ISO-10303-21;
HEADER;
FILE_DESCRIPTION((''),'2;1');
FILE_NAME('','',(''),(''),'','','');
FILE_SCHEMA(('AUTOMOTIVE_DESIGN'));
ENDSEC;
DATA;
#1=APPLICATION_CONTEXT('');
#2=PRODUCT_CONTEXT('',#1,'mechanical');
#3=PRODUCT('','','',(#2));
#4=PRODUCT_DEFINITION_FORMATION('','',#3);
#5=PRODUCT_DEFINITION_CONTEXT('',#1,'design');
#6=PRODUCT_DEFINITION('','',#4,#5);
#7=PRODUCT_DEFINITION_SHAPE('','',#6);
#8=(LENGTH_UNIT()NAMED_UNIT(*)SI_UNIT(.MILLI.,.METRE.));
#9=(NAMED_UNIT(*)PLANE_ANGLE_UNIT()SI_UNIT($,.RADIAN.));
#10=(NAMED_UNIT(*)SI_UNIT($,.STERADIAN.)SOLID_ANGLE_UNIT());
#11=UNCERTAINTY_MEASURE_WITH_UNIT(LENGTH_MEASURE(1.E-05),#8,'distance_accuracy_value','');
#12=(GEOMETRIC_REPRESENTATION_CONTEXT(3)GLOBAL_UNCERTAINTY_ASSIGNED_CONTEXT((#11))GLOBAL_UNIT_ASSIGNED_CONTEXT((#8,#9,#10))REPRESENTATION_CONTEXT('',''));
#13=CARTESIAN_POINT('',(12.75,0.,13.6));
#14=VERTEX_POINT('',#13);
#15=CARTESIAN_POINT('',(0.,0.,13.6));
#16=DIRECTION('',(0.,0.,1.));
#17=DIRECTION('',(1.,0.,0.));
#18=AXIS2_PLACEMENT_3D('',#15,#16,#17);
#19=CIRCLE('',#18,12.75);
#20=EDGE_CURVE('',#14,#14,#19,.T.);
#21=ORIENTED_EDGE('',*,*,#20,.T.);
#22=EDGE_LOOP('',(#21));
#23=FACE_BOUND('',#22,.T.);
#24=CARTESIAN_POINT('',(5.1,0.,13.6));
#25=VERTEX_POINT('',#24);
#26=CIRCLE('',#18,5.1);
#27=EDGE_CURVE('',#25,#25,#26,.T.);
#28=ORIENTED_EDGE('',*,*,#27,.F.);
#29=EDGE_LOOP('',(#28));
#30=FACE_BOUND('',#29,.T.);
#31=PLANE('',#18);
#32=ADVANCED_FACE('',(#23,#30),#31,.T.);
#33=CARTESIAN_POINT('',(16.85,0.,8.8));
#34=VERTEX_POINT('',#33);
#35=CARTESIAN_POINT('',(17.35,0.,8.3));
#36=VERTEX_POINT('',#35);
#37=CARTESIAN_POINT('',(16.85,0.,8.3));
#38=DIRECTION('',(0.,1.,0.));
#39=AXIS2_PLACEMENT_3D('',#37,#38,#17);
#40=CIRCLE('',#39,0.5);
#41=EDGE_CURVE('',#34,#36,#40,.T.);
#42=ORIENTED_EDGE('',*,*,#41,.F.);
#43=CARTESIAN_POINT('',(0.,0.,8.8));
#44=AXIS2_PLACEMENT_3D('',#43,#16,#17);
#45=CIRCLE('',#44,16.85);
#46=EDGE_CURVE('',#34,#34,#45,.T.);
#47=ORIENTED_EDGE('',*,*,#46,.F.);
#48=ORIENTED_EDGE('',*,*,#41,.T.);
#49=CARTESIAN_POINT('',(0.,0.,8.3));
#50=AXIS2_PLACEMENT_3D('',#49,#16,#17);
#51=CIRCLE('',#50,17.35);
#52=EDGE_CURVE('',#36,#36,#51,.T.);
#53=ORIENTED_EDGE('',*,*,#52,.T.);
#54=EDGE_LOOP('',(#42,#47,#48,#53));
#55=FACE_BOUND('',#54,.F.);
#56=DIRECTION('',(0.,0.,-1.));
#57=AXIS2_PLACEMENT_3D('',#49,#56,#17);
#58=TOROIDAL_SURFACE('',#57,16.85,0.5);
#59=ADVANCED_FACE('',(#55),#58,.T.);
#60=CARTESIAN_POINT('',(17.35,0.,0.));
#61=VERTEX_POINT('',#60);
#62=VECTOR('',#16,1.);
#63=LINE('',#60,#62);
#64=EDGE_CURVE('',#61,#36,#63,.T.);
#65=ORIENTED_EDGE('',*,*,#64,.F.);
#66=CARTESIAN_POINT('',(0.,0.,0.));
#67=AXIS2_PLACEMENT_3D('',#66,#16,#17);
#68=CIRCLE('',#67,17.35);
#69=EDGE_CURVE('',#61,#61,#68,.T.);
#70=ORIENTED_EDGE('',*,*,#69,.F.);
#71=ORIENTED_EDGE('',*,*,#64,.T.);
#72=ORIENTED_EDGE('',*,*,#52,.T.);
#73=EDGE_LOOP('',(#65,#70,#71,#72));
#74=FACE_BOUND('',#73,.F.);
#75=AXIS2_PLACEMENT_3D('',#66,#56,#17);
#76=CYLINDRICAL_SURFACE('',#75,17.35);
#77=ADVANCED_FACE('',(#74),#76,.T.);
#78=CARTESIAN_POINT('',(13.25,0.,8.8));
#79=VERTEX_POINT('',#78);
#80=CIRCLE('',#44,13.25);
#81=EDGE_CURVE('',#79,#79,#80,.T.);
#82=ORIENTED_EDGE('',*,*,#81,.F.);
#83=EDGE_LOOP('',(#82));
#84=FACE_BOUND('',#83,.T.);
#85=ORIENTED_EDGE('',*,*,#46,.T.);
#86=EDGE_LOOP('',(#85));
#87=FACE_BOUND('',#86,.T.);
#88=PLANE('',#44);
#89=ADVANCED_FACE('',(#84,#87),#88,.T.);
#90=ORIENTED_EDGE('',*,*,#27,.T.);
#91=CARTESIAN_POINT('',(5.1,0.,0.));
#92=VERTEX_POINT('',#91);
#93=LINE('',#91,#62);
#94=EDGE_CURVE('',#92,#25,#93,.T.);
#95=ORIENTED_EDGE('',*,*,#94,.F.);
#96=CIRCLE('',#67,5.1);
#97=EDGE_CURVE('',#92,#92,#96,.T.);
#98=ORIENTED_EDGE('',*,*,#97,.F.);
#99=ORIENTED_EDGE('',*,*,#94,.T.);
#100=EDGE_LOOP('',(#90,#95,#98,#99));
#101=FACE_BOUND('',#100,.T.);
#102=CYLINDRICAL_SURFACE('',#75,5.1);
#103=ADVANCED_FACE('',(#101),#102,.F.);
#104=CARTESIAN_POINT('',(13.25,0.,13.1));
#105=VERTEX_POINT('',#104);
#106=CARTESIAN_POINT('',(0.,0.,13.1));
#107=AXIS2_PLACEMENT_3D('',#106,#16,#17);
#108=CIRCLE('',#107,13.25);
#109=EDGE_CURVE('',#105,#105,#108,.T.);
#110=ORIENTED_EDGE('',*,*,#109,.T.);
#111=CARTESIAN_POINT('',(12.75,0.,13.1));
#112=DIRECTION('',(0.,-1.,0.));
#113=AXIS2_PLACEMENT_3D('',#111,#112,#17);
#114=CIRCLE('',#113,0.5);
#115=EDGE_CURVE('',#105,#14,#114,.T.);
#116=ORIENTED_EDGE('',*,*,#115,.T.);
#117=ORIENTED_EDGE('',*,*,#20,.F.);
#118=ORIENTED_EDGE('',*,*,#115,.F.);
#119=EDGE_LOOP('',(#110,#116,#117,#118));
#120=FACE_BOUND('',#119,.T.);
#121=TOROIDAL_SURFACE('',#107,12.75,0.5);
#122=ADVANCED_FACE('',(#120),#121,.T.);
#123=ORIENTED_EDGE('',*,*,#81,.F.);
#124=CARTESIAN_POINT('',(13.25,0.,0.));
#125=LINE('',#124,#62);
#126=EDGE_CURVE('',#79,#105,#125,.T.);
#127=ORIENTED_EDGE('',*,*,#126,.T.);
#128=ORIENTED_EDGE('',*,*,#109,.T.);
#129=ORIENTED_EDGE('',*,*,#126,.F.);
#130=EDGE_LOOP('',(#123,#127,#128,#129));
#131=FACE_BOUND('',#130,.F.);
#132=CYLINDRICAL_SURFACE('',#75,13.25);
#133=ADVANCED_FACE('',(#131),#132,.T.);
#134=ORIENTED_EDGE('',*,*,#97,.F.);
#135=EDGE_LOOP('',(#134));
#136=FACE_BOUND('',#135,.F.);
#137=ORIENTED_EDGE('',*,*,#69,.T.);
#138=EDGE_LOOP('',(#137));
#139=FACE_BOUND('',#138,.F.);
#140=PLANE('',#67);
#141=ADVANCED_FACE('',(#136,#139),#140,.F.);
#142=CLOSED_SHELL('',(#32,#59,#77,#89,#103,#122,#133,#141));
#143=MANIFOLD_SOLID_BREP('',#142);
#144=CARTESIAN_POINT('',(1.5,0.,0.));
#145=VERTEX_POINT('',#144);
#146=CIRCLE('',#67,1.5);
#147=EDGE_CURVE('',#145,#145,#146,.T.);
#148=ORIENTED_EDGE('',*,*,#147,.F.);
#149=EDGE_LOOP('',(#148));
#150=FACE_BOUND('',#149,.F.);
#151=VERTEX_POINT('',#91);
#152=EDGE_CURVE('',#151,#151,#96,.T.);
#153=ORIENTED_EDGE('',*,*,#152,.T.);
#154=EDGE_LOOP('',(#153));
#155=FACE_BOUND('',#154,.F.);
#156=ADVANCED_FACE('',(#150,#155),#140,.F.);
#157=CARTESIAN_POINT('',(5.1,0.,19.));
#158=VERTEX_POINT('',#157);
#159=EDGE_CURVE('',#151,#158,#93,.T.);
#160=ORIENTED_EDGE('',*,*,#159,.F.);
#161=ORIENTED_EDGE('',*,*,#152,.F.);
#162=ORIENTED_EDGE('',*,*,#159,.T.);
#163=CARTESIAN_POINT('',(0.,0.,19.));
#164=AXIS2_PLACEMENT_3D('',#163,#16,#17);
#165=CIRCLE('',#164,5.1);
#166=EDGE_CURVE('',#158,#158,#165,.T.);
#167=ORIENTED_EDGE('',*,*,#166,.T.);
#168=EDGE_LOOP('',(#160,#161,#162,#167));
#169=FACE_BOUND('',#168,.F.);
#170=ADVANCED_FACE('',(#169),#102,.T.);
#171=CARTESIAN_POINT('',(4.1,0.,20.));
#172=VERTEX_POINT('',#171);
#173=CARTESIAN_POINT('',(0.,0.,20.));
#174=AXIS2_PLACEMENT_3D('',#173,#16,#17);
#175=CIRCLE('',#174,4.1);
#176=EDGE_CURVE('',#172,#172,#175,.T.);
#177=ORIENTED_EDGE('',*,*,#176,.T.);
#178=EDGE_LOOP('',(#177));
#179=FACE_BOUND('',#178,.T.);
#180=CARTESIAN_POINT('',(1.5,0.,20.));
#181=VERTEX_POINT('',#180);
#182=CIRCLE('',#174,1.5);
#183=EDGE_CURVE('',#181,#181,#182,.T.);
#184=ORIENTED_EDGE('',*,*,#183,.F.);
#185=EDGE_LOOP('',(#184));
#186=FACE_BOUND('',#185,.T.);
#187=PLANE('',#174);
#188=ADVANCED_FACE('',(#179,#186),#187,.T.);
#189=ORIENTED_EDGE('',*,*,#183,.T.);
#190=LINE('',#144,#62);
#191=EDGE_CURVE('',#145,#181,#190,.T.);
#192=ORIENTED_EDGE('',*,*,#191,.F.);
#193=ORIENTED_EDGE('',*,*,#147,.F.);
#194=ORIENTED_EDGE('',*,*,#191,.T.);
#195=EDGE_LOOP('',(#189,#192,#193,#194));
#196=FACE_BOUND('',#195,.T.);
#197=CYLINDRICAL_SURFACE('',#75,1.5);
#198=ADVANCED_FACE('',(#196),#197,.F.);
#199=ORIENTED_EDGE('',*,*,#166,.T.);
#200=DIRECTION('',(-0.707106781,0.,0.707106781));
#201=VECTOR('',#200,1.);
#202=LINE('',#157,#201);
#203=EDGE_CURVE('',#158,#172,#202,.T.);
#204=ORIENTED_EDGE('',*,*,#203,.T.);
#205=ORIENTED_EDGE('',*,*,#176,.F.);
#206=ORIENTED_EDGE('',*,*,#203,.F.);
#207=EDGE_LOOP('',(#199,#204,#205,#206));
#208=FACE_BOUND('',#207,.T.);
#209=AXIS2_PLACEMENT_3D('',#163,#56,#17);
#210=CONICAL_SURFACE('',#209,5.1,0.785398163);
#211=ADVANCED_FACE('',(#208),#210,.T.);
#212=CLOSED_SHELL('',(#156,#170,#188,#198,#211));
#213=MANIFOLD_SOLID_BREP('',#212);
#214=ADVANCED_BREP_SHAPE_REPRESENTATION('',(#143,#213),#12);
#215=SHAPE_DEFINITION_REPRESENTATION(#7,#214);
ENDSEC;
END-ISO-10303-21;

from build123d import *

# Parameters (mm, degrees)
F0_R     = 17.35
F0_R_2   = 13.25
F1_DEPTH = 8.8
F0_R_3   = 5.1
F2_DEPTH = 13.6
F0_R_4   = 1.5
F3_DEPTH = 20
F4_R     = 0.5
F5_R     = 0.5
F6_SIZE  = 1


with BuildPart() as f1:
    # F0 (on Top) → F1 (new body)
    with BuildSketch(Plane.XY):
        Circle(F0_R)
        Circle(F0_R_2, mode=Mode.SUBTRACT)
    extrude(amount=F1_DEPTH)

    # F0 (on Top) → F2 (join)
    with BuildSketch(Plane.XY):
        Circle(F0_R_2)
        Circle(F0_R_3, mode=Mode.SUBTRACT)
    extrude(amount=F2_DEPTH)

    # F4
    f4_edges = [f1.edges().sort_by_distance(p)[0] for p in [
        (-13.25, 0, 13.6),
    ]]
    fillet(f4_edges, radius=F4_R)

    # F5
    f5_edges = [f1.edges().sort_by_distance(p)[0] for p in [
        (-17.35, 0, 8.8),
    ]]
    fillet(f5_edges, radius=F5_R)


with BuildPart() as f3:
    # F0 (on Top) → F3 (new body)
    with BuildSketch(Plane.XY):
        Circle(F0_R_3)
        Circle(F0_R_4, mode=Mode.SUBTRACT)
    extrude(amount=F3_DEPTH)

    # F6
    f6_edges = [f3.edges().sort_by_distance(p)[0] for p in [
        (-5.1, 0, 20),
    ]]
    chamfer(f6_edges, length=F6_SIZE)


solid = Compound([f1.part, f3.part])
